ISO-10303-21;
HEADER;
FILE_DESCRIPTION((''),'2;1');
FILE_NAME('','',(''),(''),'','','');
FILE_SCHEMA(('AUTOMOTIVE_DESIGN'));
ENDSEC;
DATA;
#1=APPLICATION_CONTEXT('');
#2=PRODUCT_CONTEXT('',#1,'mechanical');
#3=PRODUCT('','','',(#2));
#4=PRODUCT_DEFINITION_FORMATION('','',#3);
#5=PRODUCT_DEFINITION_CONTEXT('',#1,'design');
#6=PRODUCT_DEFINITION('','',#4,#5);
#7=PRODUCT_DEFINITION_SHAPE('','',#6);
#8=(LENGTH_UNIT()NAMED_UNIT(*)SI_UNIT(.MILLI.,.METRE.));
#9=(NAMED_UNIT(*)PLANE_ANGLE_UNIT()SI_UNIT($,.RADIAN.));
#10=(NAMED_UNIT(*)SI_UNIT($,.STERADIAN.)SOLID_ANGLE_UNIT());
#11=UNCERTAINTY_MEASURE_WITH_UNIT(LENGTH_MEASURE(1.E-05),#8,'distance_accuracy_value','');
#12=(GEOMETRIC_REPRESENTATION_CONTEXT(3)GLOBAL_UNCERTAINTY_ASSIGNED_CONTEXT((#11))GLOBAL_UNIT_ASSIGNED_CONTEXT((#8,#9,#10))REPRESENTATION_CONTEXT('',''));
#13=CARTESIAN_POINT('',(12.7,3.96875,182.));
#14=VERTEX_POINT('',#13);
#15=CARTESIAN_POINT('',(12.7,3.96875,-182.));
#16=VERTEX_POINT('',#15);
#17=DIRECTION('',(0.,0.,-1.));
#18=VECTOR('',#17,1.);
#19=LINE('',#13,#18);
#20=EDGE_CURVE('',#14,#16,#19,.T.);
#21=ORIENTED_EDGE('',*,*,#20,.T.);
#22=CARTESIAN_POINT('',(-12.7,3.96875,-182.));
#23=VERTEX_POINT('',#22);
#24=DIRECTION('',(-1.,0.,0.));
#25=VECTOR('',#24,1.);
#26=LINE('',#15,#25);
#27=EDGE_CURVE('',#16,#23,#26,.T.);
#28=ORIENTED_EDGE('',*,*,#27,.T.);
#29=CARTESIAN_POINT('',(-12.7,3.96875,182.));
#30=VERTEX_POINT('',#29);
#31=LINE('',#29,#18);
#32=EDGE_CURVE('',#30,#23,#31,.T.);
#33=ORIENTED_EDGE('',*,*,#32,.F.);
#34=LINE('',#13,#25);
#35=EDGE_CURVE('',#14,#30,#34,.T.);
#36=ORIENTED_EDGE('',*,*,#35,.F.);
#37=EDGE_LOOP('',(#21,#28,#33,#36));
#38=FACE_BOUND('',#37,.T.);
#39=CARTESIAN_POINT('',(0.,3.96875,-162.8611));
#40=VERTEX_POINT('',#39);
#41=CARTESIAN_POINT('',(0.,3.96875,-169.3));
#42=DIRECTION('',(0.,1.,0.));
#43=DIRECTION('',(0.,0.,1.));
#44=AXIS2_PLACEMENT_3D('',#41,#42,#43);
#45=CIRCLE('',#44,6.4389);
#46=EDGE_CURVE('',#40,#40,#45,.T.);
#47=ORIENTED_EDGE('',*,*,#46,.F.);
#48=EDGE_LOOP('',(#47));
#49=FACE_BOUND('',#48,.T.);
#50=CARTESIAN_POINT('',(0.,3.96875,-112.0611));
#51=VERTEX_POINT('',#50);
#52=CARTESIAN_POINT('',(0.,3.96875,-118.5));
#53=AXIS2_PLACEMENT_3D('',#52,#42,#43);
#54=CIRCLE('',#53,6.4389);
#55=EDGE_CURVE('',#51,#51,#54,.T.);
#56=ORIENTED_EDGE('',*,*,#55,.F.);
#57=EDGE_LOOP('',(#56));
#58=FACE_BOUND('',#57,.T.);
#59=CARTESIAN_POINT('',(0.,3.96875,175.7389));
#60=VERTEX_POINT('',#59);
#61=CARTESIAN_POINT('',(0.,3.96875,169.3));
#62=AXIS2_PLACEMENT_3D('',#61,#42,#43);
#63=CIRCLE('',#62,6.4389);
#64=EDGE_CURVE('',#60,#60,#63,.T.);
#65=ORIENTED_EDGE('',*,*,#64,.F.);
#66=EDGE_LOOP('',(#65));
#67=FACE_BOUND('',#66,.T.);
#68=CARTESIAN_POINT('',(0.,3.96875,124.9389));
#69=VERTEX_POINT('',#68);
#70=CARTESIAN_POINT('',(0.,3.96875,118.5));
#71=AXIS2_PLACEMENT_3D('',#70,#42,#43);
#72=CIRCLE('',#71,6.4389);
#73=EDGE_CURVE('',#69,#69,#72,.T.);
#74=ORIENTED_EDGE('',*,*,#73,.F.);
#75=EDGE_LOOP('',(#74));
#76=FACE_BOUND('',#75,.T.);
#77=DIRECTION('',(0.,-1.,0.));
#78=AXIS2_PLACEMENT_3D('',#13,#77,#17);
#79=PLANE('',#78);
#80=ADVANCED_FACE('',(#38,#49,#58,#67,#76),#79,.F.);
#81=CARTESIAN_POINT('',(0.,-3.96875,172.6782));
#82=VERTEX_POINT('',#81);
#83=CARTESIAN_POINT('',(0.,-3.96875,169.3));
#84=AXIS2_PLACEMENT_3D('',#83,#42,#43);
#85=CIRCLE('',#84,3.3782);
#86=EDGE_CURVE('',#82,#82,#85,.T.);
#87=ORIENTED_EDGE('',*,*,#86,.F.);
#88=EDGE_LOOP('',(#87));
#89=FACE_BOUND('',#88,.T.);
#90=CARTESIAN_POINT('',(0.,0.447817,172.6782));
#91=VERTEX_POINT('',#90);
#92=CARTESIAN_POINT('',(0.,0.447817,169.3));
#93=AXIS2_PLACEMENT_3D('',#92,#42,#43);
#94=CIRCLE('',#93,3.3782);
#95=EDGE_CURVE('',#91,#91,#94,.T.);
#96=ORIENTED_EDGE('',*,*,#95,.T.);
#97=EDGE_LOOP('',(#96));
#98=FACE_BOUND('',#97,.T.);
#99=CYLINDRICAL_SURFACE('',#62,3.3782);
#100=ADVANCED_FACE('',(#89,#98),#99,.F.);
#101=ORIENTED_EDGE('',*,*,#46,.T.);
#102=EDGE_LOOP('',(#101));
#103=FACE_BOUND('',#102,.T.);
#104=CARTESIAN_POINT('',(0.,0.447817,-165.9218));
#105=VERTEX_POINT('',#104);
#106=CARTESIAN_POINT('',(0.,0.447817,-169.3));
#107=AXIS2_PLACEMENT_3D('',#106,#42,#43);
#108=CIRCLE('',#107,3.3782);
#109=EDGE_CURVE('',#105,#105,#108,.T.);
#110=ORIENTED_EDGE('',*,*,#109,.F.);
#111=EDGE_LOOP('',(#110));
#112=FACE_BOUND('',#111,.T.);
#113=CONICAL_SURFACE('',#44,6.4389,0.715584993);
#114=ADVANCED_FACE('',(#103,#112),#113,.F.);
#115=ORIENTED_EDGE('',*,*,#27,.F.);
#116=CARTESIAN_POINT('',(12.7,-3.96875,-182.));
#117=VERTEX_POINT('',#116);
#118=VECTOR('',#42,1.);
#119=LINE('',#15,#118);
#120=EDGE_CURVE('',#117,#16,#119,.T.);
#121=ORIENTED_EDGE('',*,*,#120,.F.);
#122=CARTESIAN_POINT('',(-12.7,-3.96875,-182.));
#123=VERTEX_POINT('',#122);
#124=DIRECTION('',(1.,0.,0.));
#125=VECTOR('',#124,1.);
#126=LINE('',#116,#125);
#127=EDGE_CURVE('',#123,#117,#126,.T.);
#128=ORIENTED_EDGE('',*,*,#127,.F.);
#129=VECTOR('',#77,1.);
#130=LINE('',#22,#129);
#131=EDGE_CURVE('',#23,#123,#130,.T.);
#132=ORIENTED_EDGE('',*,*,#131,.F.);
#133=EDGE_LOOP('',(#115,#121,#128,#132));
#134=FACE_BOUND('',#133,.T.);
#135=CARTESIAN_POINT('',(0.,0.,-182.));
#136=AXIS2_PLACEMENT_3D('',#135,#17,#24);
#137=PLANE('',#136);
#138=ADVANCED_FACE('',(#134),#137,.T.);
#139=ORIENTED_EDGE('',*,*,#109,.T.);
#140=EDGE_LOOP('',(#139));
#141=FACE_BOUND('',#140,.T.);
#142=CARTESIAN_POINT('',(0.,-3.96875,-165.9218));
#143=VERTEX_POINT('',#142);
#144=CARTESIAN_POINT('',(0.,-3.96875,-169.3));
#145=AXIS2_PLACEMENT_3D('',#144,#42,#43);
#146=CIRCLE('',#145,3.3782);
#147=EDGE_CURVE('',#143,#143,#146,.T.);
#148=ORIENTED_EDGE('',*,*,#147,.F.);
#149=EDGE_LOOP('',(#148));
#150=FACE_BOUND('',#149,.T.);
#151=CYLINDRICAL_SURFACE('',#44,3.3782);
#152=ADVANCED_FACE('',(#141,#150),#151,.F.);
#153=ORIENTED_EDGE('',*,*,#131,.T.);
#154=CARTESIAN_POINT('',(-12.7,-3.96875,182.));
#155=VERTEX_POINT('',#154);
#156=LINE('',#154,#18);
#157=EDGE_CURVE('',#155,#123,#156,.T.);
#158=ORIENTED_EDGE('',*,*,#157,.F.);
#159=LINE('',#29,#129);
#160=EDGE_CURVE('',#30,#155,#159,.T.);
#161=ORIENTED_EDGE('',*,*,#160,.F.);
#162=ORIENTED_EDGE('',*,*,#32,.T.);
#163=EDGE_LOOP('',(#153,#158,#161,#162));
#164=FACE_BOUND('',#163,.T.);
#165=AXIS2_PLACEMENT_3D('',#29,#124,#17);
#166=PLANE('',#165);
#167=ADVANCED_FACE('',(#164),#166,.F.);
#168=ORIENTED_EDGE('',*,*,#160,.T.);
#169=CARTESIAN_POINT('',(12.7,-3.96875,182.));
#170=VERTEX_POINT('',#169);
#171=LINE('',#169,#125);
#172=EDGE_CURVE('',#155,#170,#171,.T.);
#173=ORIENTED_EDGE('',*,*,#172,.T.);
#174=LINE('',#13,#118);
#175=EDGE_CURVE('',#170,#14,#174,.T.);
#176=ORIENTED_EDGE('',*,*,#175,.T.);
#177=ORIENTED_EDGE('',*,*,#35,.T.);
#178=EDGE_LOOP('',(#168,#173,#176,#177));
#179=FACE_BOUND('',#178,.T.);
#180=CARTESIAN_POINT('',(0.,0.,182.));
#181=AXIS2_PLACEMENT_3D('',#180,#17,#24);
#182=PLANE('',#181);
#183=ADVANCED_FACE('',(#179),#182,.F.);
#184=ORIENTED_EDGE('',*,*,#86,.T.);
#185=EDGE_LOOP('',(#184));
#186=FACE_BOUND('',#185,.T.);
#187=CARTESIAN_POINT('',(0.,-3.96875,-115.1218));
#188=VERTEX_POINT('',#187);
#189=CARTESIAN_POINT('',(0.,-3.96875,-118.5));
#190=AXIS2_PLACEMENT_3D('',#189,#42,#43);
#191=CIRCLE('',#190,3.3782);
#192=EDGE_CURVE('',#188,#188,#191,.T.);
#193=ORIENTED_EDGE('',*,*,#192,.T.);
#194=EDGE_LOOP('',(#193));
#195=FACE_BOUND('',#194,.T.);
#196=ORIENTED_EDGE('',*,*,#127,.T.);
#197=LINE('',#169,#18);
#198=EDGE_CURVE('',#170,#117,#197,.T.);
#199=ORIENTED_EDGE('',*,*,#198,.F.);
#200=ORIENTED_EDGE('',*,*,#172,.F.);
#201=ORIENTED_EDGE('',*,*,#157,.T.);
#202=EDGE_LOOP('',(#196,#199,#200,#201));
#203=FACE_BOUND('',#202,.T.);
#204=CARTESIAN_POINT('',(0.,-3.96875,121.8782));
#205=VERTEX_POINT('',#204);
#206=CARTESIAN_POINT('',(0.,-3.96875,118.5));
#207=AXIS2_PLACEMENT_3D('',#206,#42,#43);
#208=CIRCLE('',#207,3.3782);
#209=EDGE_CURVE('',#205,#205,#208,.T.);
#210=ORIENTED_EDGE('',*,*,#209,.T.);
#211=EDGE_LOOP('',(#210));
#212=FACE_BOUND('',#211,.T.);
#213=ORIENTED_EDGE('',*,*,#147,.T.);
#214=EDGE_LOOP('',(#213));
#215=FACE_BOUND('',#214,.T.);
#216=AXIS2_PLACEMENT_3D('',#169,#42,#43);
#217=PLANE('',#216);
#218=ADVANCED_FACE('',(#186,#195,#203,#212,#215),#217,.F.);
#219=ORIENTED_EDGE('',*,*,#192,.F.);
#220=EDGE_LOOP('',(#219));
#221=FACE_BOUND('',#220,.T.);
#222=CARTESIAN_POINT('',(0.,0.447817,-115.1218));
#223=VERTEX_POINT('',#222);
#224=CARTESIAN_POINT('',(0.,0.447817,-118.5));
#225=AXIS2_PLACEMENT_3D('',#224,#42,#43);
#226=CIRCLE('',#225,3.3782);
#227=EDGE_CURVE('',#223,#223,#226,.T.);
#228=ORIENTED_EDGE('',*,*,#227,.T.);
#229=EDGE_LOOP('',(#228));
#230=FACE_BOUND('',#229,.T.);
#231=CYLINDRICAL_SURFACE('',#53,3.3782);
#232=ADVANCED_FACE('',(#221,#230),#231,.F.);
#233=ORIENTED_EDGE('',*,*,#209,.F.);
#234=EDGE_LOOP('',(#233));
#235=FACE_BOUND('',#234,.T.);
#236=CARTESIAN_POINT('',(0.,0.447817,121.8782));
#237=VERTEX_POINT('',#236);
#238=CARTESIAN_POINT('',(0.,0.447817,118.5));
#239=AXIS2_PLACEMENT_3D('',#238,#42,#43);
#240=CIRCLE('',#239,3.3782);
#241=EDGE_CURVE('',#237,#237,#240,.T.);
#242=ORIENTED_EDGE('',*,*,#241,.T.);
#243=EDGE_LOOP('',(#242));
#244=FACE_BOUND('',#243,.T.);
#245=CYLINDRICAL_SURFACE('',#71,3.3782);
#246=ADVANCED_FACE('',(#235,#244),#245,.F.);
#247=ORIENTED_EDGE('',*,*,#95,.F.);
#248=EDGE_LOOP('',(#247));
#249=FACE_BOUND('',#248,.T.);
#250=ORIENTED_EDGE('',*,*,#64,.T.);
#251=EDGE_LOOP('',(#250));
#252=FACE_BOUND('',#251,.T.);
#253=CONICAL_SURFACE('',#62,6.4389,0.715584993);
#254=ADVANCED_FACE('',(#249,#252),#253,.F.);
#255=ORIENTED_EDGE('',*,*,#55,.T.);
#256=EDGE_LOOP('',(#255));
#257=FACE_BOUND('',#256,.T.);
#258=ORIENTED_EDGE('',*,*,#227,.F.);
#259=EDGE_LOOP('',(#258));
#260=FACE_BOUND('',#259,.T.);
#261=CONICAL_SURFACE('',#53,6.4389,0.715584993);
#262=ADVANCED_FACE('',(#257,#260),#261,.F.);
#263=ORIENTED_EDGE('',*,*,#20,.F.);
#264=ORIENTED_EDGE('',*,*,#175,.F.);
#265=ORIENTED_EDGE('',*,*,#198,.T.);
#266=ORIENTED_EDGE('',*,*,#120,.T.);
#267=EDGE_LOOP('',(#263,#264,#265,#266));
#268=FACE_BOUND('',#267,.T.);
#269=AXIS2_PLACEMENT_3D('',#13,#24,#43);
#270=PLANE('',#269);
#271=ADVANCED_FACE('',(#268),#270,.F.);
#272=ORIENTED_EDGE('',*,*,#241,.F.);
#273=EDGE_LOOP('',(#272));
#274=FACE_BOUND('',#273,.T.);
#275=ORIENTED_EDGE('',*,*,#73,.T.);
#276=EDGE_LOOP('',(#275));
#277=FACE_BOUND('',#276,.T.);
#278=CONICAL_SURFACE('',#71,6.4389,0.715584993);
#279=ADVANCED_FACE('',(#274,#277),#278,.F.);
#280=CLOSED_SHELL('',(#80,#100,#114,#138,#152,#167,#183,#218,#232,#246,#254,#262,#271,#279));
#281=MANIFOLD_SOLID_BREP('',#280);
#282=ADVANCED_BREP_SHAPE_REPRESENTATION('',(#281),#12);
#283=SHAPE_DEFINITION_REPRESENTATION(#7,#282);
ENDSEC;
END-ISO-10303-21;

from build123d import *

# Parameters (mm, degrees)
SKETCH3_W                                        = 25.4
SKETCH3_H                                        = 7.9375
BOSS_EXTRUDE1_DEPTH                              = 182
CSK_FOR_1_4_FLAT_HEAD_MACHINE_SCREW1_D           = 6.7564
CSK_FOR_1_4_FLAT_HEAD_MACHINE_SCREW1_CSINK_D     = 12.8778
CSK_FOR_1_4_FLAT_HEAD_MACHINE_SCREW1_CSINK_ANGLE = 82


with BuildPart() as part:
    # Sketch3 → Boss-Extrude1 (new, symmetric)
    with BuildSketch(Plane.XY):
        Rectangle(SKETCH3_W, SKETCH3_H)
    extrude(amount=BOSS_EXTRUDE1_DEPTH, both=True)

    # CSK for 1/4 Flat Head Machine Screw1 (through all)
    with Locations(Plane(origin=(0, 3.96875, 0), x_dir=(1, 0, 0), z_dir=(0, 1, 0))):
        with Locations((0, 169.3), (0, -169.3), (0, 118.5), (0, -118.5)):
            CounterSinkHole(CSK_FOR_1_4_FLAT_HEAD_MACHINE_SCREW1_D / 2, CSK_FOR_1_4_FLAT_HEAD_MACHINE_SCREW1_CSINK_D / 2, counter_sink_angle=CSK_FOR_1_4_FLAT_HEAD_MACHINE_SCREW1_CSINK_ANGLE)


solid = part.part
